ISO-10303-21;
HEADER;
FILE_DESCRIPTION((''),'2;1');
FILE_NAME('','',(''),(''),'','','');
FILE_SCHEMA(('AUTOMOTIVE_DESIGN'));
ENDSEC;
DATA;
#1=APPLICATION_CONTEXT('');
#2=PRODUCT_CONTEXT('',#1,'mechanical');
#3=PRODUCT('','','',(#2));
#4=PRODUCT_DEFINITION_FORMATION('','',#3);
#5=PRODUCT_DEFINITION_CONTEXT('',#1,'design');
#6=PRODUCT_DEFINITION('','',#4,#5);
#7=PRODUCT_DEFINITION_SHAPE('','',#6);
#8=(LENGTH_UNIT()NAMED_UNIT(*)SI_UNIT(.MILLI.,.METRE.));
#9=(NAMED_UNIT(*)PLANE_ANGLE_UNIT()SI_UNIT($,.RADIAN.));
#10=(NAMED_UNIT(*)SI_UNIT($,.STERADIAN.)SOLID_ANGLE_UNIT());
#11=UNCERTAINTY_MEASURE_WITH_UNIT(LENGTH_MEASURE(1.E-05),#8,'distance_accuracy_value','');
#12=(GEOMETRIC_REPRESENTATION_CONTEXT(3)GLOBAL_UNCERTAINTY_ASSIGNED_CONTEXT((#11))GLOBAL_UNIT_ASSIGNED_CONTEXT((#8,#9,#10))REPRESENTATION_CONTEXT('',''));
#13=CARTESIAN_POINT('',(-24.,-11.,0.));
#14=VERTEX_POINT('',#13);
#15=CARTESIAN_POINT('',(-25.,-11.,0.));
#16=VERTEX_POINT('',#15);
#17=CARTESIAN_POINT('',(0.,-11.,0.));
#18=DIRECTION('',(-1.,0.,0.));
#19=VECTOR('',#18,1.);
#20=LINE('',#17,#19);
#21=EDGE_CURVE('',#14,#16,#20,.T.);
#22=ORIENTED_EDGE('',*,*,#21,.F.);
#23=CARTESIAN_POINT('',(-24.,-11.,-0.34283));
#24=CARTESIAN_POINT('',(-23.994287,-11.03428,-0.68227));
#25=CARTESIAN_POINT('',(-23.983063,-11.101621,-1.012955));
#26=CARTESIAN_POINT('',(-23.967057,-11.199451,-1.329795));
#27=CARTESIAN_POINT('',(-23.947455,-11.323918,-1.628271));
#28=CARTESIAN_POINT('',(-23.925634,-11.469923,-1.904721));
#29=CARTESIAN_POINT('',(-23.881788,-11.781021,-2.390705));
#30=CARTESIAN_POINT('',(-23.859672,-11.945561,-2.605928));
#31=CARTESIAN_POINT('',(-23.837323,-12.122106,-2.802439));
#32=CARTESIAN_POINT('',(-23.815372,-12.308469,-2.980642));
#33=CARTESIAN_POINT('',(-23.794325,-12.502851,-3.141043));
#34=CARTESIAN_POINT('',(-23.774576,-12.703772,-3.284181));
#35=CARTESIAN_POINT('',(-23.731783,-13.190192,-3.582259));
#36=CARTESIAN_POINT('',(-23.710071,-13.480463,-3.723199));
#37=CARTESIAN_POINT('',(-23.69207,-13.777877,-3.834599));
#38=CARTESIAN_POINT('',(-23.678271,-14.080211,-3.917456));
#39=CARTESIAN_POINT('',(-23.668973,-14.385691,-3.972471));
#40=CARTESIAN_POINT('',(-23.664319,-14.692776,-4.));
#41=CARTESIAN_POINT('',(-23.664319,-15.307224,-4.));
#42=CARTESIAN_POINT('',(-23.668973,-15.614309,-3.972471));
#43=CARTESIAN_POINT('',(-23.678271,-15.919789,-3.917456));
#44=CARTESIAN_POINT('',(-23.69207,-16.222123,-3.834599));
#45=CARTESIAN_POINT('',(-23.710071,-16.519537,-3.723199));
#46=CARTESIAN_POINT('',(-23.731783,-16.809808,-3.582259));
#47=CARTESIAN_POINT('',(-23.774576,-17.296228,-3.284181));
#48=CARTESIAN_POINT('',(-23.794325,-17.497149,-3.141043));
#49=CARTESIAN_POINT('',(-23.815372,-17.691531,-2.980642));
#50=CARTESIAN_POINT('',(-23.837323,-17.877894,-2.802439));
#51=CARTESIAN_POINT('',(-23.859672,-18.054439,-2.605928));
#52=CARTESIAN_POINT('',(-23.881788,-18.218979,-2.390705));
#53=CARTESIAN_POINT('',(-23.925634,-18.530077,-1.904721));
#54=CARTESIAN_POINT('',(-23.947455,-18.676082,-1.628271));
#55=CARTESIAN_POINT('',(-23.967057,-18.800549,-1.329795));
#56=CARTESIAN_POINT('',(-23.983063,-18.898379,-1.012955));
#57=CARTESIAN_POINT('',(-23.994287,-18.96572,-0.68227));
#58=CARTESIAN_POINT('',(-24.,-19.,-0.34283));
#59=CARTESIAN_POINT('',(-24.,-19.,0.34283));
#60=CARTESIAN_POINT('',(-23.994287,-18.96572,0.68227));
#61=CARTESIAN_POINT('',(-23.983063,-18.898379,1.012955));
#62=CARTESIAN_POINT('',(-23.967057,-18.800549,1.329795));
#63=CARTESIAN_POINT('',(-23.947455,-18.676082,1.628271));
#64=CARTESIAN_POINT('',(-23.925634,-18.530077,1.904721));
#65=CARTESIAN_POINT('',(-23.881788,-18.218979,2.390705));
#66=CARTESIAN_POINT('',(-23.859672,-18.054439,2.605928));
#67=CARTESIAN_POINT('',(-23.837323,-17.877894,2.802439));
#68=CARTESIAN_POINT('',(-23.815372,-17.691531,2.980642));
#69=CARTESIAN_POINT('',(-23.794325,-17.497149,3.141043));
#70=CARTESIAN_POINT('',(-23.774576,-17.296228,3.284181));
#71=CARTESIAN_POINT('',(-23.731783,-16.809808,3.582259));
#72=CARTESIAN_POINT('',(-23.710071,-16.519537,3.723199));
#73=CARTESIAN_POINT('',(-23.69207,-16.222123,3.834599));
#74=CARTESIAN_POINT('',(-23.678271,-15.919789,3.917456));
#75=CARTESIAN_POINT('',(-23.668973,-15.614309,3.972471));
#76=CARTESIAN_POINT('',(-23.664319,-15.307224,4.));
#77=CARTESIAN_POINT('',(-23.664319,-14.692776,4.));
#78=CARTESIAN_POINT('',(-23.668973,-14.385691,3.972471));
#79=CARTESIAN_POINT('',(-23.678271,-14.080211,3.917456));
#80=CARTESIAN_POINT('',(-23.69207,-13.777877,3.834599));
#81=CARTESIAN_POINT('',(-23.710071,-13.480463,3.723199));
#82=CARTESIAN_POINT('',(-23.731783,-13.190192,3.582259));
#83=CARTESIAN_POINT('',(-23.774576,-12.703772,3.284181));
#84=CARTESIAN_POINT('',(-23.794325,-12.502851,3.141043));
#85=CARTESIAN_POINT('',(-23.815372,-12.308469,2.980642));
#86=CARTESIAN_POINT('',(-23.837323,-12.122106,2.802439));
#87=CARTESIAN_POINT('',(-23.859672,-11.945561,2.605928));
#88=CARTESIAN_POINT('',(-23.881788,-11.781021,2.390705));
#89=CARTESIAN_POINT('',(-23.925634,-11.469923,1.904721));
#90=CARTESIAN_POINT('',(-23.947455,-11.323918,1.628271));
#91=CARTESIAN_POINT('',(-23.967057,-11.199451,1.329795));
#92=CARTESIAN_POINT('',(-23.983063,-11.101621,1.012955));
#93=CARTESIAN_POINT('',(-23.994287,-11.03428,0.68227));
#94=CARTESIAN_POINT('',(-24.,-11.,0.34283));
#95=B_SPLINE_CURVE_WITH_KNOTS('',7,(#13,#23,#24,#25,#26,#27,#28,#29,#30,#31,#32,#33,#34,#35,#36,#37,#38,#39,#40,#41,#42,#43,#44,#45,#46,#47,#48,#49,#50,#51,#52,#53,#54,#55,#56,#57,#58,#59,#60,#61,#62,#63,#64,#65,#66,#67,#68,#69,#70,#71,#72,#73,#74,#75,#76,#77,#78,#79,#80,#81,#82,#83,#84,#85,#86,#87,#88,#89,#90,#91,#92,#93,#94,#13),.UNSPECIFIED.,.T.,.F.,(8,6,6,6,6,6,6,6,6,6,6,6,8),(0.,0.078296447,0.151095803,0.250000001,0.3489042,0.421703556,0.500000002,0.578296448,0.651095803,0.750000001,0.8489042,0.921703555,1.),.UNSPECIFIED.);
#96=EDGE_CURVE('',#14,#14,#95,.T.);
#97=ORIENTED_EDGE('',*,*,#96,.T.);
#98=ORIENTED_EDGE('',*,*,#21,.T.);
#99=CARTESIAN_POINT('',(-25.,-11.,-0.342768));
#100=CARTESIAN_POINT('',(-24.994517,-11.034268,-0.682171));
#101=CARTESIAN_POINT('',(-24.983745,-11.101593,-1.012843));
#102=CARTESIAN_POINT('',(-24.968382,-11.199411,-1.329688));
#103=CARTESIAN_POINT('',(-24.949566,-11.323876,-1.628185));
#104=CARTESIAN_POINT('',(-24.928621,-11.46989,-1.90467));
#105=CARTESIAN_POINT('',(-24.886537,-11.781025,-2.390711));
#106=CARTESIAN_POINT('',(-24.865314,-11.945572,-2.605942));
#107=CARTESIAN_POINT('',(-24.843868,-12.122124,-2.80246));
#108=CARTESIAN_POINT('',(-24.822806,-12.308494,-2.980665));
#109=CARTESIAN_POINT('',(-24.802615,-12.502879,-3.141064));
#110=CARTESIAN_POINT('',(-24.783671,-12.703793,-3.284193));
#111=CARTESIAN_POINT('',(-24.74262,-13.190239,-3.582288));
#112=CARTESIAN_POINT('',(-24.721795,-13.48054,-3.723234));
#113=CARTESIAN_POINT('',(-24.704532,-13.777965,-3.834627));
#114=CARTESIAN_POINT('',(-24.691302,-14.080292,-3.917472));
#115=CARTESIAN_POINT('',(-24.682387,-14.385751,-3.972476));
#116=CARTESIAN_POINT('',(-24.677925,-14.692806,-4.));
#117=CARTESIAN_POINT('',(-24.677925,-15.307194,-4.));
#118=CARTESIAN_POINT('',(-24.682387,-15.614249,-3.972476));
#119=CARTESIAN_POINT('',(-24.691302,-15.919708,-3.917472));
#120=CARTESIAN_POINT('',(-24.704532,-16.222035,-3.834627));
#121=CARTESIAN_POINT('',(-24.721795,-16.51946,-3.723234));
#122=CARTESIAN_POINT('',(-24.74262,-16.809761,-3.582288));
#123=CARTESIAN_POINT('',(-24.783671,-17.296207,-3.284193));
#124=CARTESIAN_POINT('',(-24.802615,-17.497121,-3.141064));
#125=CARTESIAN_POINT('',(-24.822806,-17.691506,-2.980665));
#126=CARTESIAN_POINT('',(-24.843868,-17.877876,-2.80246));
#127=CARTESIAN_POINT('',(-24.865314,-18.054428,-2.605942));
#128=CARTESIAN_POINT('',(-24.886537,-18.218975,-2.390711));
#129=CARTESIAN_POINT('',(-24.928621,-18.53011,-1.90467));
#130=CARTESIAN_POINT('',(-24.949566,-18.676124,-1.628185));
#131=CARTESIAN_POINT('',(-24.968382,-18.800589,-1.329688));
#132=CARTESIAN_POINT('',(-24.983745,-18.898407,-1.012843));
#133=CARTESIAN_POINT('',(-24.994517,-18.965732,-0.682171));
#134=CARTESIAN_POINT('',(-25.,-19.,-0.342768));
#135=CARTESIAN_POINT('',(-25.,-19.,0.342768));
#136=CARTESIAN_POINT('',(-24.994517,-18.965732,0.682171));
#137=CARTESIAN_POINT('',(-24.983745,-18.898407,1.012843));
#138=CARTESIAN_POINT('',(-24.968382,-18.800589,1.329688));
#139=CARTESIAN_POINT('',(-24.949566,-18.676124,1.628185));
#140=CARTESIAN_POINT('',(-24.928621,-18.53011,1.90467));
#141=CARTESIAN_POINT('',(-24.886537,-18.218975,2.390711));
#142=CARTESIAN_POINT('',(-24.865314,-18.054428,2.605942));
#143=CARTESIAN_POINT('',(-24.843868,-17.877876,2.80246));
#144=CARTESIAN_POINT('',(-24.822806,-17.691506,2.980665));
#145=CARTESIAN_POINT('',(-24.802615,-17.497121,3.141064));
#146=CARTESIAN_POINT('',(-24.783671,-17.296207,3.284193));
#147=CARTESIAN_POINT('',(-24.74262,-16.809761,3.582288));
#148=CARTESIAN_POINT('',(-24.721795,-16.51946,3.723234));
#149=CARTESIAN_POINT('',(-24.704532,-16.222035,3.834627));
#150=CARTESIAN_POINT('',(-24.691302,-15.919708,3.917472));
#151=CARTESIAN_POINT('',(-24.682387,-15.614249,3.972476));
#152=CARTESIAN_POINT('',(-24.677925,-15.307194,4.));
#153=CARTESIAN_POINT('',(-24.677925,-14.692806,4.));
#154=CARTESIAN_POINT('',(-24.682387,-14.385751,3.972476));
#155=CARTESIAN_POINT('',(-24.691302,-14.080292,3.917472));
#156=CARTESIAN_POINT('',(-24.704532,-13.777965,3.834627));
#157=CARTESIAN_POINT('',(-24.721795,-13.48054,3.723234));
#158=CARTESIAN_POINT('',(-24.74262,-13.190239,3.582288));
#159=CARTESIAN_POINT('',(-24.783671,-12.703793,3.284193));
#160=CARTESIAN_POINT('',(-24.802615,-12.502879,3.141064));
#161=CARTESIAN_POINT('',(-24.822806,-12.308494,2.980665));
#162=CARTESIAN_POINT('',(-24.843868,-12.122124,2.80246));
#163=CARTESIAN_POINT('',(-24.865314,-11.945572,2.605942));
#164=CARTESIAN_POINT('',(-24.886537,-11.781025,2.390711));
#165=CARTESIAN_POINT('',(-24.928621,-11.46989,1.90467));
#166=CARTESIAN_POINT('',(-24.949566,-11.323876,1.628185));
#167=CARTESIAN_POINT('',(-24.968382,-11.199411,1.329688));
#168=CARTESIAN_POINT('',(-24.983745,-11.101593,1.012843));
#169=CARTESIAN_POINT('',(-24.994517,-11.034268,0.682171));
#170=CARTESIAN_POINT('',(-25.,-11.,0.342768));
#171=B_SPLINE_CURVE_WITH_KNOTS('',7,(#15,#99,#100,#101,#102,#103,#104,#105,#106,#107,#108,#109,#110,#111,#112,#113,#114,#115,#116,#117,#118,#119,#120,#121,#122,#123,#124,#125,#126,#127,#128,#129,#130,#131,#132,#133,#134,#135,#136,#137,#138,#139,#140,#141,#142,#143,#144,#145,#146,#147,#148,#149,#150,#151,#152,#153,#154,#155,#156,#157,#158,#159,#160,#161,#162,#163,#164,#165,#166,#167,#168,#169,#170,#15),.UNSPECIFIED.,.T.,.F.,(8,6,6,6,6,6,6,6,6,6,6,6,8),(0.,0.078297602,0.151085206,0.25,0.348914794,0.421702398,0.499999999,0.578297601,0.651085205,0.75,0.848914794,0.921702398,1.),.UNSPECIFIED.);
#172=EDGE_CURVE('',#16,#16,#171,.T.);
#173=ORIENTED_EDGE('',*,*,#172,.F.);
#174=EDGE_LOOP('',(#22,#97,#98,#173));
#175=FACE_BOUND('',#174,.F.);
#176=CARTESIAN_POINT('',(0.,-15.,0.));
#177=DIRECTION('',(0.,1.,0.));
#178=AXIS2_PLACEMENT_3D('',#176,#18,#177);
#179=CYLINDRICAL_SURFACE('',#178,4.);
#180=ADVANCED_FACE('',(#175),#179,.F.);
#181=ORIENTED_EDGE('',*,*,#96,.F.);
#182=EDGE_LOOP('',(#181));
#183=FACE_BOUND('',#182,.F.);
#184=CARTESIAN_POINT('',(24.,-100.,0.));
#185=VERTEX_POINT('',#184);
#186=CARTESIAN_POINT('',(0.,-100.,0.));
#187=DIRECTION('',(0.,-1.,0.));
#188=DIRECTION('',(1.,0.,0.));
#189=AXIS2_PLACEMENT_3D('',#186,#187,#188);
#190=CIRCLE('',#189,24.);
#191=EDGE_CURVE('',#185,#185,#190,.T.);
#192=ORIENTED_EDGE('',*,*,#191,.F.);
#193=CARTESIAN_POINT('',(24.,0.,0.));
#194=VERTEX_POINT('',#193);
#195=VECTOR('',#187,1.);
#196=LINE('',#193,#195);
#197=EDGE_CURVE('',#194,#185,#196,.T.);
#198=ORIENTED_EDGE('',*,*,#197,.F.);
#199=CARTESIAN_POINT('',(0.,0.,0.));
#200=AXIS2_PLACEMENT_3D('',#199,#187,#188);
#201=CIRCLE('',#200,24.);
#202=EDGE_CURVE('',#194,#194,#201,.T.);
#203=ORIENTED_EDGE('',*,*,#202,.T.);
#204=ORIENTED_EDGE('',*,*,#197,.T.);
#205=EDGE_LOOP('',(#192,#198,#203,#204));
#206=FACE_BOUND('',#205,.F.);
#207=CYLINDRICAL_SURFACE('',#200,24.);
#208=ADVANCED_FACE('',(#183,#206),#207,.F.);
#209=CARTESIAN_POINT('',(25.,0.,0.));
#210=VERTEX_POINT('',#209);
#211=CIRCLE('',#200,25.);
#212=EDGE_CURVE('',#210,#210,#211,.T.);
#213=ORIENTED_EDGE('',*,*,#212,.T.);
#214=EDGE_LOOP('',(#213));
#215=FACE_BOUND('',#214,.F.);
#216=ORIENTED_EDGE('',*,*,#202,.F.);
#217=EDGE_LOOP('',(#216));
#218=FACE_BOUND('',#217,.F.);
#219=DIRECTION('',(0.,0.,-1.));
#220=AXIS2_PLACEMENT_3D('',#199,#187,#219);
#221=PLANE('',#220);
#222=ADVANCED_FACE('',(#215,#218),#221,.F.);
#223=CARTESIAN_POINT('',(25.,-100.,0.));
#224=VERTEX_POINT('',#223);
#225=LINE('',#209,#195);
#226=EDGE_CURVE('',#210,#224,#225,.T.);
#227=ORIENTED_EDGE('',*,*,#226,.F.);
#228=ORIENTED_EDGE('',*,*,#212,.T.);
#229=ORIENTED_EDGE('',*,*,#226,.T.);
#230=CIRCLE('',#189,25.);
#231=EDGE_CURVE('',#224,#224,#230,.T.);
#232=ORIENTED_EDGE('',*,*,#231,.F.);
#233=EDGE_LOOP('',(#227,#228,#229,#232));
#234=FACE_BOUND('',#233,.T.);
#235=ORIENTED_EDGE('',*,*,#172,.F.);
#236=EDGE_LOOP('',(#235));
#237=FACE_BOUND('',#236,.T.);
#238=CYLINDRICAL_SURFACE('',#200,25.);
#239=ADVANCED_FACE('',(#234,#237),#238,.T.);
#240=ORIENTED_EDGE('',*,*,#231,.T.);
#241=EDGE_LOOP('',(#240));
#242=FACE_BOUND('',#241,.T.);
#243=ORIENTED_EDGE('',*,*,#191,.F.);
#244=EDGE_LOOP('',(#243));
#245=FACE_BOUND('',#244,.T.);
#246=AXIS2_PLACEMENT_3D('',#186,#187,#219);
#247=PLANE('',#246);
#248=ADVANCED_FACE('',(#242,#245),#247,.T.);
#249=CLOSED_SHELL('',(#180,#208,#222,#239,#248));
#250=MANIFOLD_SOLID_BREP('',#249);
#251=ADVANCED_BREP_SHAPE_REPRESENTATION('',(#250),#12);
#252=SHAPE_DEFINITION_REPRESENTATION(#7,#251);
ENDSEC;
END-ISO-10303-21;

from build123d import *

# Parameters (mm, degrees)
F0_R   = 25
F0_R_2 = 24
F3_R   = 4


with BuildPart() as f2:
    # F2: sweep along a path in F1
    with BuildLine(Plane.YZ) as f2_path:
        Line((0, 0), (-100, 0))
    # F0 (on Front) → F2 (sweep)
    with BuildSketch(Plane.XZ):
        Circle(F0_R)
        Circle(F0_R_2, mode=Mode.SUBTRACT)
    sweep(path=f2_path.line)

    # F5: sweep along a path in F4
    with BuildLine(Plane.XY) as f5_path:
        Line((0, -15), (-40, -15))
    # F3 (on Right) → F5 (sweep, cut)
    with BuildSketch(Plane.YZ):
        with Locations((-15, 0)):
            Circle(F3_R)
    sweep(path=f5_path.line, mode=Mode.SUBTRACT)


solid = f2.part
